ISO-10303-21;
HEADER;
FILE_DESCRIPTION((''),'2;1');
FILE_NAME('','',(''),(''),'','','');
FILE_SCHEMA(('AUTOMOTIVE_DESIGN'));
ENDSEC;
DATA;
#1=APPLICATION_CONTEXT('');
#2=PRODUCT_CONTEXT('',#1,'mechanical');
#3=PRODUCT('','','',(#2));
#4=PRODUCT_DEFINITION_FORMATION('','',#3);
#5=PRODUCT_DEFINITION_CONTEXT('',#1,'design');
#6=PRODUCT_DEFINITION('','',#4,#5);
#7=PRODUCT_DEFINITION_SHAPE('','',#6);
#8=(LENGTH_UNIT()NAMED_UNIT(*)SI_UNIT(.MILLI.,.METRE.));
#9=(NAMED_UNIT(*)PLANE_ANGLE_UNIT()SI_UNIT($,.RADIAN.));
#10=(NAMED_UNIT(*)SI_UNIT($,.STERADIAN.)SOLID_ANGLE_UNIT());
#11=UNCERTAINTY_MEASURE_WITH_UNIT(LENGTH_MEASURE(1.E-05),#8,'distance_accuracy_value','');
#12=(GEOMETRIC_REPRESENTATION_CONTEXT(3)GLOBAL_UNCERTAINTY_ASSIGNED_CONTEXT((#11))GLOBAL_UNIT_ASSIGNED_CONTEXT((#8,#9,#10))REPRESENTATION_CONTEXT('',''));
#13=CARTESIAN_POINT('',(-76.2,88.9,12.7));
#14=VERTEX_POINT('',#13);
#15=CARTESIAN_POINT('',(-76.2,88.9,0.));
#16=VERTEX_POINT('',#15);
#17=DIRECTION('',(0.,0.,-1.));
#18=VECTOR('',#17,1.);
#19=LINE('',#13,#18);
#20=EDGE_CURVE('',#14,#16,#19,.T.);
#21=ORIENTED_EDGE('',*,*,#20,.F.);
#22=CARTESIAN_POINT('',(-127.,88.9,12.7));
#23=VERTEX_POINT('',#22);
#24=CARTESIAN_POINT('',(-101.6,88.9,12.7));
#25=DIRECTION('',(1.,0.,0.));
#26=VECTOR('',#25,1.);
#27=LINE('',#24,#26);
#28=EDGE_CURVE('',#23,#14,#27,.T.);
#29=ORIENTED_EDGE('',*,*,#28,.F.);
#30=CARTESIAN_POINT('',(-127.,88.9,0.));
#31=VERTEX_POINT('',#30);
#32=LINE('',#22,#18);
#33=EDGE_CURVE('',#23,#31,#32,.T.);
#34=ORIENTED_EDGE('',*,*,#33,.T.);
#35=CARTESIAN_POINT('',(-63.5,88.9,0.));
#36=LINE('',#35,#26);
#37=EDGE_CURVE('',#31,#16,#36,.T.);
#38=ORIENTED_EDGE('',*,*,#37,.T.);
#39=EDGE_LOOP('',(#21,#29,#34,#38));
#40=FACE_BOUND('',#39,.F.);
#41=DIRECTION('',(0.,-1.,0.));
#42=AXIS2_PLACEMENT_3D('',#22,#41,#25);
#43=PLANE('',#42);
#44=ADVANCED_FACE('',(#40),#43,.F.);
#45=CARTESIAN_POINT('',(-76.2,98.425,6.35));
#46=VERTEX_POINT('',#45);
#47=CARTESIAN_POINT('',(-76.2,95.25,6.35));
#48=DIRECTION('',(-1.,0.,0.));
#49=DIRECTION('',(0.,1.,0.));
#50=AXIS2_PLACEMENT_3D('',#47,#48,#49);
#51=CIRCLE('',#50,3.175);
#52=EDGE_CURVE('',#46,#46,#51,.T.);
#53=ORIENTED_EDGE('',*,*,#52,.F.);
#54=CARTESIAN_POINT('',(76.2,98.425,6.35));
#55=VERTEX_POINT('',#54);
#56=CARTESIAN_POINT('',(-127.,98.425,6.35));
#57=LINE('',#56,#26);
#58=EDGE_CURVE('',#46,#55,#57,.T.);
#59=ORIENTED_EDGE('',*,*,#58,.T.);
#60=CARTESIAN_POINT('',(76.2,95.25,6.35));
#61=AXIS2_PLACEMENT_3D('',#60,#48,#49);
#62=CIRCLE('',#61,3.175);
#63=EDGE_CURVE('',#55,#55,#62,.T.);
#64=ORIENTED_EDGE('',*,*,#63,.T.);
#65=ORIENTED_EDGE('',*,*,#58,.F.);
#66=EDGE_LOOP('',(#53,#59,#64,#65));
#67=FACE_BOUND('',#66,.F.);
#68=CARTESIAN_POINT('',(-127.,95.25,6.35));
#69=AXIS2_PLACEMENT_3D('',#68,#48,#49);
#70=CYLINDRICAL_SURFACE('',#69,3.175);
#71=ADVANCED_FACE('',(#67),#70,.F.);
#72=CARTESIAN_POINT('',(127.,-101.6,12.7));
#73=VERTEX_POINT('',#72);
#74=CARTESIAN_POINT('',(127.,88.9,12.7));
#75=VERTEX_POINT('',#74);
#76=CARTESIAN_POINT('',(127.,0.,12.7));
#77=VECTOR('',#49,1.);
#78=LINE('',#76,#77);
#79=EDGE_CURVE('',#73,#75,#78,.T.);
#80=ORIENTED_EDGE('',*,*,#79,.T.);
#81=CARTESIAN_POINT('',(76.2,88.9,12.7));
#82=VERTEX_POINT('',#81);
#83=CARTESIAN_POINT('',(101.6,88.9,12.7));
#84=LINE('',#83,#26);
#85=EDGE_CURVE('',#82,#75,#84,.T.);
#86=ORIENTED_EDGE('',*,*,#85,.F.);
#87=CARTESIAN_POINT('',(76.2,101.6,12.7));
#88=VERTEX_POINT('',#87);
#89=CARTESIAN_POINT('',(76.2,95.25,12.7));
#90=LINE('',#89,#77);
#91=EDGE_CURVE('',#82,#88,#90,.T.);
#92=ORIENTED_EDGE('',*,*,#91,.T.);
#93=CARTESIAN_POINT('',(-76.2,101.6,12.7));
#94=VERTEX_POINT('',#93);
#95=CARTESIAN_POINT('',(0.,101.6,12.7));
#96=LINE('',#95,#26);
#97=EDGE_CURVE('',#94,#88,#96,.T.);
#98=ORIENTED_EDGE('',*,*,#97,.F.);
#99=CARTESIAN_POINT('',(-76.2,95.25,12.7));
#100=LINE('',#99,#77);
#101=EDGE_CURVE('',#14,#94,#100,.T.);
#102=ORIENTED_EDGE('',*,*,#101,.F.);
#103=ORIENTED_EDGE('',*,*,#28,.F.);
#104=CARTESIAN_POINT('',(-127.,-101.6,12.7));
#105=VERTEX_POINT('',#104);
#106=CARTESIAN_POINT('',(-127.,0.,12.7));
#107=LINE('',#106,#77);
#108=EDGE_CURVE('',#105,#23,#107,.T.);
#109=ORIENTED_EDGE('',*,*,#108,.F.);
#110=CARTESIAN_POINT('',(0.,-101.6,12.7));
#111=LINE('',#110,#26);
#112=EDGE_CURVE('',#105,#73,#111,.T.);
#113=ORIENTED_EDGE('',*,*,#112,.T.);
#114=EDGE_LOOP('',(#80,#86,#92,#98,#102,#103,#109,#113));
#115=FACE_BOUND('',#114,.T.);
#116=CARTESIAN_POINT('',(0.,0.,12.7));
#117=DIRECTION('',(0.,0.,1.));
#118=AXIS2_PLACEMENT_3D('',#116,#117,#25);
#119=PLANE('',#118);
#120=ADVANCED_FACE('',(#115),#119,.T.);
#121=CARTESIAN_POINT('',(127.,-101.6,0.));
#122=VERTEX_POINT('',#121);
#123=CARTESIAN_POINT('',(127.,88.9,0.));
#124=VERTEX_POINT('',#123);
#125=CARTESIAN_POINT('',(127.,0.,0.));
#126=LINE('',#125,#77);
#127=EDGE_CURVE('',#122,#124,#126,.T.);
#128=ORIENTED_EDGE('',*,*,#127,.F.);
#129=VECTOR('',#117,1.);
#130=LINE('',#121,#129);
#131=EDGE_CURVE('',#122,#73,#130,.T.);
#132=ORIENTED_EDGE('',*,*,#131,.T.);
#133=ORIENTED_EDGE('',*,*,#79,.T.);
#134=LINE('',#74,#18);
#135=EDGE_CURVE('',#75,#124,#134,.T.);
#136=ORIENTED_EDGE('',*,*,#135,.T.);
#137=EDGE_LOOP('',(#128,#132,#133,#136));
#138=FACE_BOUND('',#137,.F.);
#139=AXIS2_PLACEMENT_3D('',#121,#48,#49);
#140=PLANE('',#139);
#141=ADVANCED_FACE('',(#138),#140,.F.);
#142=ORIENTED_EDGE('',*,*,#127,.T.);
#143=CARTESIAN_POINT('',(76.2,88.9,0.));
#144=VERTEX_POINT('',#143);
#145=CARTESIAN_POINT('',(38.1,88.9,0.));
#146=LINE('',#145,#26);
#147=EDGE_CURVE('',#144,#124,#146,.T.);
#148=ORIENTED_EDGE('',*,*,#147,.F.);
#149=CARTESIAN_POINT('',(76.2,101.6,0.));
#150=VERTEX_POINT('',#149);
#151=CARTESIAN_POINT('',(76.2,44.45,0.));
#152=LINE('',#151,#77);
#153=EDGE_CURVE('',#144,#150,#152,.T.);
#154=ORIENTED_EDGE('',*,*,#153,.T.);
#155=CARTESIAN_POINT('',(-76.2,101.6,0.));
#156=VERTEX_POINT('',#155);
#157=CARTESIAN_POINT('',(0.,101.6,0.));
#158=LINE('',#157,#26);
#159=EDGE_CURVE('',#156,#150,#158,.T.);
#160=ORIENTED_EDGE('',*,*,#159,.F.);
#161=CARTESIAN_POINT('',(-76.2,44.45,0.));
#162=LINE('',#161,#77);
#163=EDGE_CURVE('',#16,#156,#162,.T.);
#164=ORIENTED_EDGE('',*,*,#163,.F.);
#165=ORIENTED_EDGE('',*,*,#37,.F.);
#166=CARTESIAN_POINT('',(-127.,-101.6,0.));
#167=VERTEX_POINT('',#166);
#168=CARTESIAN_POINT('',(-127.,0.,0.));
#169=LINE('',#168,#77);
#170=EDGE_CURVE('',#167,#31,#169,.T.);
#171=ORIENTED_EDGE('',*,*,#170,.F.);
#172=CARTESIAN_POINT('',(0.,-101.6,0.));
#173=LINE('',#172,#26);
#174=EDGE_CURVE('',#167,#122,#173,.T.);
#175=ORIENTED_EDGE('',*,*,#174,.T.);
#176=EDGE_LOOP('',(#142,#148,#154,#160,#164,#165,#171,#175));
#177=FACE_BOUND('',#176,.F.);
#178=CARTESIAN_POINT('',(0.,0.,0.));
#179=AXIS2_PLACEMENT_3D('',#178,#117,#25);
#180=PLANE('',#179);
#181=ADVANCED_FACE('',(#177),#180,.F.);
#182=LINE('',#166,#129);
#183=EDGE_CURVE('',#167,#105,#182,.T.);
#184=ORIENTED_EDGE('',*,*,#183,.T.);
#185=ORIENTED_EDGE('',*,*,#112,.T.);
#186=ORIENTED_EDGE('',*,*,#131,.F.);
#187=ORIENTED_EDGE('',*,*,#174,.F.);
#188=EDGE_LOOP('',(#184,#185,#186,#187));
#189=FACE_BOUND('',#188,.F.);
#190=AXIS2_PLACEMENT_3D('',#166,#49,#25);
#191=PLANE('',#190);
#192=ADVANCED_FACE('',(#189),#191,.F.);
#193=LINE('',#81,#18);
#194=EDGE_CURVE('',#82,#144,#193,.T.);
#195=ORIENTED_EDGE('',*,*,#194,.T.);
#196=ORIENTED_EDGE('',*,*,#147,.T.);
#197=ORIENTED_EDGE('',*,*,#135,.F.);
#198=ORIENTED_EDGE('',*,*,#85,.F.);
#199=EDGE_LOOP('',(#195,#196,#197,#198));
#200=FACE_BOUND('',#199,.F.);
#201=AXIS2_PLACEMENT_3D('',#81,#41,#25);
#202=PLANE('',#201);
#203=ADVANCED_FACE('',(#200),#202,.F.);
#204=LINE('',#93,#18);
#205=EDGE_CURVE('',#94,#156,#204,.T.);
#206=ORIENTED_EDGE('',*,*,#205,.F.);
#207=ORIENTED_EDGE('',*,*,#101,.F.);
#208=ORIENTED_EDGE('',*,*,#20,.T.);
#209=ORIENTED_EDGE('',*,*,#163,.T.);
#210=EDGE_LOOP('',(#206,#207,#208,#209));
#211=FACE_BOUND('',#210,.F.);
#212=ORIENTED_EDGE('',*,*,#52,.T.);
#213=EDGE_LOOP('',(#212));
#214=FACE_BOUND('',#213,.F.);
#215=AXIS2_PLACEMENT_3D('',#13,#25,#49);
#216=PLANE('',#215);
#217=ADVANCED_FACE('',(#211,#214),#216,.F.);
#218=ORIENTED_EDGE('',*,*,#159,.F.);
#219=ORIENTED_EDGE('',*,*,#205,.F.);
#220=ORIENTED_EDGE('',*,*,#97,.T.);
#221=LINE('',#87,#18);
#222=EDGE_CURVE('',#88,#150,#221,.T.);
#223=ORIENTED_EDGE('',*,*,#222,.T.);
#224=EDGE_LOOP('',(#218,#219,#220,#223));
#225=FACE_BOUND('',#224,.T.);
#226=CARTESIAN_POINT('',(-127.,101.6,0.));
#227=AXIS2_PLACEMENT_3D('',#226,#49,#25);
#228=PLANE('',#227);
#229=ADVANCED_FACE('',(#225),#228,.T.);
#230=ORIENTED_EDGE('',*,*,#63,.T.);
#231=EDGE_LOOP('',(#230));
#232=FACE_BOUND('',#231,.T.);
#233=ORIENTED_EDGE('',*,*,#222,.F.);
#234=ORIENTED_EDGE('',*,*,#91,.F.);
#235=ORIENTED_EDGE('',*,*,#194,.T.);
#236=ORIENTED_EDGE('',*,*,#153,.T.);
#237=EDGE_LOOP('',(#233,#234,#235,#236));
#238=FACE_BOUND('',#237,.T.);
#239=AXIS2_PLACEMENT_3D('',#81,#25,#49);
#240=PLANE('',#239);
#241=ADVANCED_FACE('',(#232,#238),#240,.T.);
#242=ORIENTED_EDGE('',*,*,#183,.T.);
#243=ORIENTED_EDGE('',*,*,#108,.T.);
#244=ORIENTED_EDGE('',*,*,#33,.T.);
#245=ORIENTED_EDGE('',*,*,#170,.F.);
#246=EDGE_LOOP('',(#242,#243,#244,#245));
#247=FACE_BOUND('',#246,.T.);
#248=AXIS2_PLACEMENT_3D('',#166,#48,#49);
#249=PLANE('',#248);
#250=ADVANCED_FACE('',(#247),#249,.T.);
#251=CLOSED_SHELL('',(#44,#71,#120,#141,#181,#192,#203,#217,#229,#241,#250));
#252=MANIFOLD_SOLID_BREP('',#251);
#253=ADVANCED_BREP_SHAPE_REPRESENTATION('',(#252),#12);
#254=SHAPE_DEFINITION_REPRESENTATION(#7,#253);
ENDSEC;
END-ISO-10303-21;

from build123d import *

# Parameters (mm, degrees)
F0_W     = 254
F0_H     = 203.2
F1_DEPTH = 12.7
F4_DEPTH = 254.001
F2_W     = 50.8
F2_H     = 12.7
F5_DEPTH = 12.701


with BuildPart() as f1:
    # F0 (on Top) → F1 (new body)
    with BuildSketch(Plane.XY):
        Rectangle(F0_W, F0_H)
    extrude(amount=F1_DEPTH)

    # F3 (on face) → F4 (cut, through all)
    with BuildSketch(Plane(origin=(-127, 0, 0), x_dir=(0, -1, 0), z_dir=(-1, 0, 0))):
        with BuildLine():
            ThreePointArc((-92.075, 6.35), (-95.25, 9.525), (-98.425, 6.35))
            Line((-98.425, 6.35), (-92.075, 6.35))
        make_face()
        with BuildLine():
            Line((-92.075, 6.35), (-98.425, 6.35))
            ThreePointArc((-98.425, 6.35), (-95.25, 3.175), (-92.075, 6.35))
        make_face()
    extrude(amount=-F4_DEPTH, mode=Mode.SUBTRACT)

    # F2 (on face) → F5 (cut, through all)
    with BuildSketch(Plane.XY.offset(12.7)):
        with Locations((-101.6, 95.25)):
            Rectangle(F2_W, F2_H)
        with Locations((101.6, 95.25)):
            Rectangle(F2_W, F2_H)
    extrude(amount=-F5_DEPTH, mode=Mode.SUBTRACT)


solid = f1.part
